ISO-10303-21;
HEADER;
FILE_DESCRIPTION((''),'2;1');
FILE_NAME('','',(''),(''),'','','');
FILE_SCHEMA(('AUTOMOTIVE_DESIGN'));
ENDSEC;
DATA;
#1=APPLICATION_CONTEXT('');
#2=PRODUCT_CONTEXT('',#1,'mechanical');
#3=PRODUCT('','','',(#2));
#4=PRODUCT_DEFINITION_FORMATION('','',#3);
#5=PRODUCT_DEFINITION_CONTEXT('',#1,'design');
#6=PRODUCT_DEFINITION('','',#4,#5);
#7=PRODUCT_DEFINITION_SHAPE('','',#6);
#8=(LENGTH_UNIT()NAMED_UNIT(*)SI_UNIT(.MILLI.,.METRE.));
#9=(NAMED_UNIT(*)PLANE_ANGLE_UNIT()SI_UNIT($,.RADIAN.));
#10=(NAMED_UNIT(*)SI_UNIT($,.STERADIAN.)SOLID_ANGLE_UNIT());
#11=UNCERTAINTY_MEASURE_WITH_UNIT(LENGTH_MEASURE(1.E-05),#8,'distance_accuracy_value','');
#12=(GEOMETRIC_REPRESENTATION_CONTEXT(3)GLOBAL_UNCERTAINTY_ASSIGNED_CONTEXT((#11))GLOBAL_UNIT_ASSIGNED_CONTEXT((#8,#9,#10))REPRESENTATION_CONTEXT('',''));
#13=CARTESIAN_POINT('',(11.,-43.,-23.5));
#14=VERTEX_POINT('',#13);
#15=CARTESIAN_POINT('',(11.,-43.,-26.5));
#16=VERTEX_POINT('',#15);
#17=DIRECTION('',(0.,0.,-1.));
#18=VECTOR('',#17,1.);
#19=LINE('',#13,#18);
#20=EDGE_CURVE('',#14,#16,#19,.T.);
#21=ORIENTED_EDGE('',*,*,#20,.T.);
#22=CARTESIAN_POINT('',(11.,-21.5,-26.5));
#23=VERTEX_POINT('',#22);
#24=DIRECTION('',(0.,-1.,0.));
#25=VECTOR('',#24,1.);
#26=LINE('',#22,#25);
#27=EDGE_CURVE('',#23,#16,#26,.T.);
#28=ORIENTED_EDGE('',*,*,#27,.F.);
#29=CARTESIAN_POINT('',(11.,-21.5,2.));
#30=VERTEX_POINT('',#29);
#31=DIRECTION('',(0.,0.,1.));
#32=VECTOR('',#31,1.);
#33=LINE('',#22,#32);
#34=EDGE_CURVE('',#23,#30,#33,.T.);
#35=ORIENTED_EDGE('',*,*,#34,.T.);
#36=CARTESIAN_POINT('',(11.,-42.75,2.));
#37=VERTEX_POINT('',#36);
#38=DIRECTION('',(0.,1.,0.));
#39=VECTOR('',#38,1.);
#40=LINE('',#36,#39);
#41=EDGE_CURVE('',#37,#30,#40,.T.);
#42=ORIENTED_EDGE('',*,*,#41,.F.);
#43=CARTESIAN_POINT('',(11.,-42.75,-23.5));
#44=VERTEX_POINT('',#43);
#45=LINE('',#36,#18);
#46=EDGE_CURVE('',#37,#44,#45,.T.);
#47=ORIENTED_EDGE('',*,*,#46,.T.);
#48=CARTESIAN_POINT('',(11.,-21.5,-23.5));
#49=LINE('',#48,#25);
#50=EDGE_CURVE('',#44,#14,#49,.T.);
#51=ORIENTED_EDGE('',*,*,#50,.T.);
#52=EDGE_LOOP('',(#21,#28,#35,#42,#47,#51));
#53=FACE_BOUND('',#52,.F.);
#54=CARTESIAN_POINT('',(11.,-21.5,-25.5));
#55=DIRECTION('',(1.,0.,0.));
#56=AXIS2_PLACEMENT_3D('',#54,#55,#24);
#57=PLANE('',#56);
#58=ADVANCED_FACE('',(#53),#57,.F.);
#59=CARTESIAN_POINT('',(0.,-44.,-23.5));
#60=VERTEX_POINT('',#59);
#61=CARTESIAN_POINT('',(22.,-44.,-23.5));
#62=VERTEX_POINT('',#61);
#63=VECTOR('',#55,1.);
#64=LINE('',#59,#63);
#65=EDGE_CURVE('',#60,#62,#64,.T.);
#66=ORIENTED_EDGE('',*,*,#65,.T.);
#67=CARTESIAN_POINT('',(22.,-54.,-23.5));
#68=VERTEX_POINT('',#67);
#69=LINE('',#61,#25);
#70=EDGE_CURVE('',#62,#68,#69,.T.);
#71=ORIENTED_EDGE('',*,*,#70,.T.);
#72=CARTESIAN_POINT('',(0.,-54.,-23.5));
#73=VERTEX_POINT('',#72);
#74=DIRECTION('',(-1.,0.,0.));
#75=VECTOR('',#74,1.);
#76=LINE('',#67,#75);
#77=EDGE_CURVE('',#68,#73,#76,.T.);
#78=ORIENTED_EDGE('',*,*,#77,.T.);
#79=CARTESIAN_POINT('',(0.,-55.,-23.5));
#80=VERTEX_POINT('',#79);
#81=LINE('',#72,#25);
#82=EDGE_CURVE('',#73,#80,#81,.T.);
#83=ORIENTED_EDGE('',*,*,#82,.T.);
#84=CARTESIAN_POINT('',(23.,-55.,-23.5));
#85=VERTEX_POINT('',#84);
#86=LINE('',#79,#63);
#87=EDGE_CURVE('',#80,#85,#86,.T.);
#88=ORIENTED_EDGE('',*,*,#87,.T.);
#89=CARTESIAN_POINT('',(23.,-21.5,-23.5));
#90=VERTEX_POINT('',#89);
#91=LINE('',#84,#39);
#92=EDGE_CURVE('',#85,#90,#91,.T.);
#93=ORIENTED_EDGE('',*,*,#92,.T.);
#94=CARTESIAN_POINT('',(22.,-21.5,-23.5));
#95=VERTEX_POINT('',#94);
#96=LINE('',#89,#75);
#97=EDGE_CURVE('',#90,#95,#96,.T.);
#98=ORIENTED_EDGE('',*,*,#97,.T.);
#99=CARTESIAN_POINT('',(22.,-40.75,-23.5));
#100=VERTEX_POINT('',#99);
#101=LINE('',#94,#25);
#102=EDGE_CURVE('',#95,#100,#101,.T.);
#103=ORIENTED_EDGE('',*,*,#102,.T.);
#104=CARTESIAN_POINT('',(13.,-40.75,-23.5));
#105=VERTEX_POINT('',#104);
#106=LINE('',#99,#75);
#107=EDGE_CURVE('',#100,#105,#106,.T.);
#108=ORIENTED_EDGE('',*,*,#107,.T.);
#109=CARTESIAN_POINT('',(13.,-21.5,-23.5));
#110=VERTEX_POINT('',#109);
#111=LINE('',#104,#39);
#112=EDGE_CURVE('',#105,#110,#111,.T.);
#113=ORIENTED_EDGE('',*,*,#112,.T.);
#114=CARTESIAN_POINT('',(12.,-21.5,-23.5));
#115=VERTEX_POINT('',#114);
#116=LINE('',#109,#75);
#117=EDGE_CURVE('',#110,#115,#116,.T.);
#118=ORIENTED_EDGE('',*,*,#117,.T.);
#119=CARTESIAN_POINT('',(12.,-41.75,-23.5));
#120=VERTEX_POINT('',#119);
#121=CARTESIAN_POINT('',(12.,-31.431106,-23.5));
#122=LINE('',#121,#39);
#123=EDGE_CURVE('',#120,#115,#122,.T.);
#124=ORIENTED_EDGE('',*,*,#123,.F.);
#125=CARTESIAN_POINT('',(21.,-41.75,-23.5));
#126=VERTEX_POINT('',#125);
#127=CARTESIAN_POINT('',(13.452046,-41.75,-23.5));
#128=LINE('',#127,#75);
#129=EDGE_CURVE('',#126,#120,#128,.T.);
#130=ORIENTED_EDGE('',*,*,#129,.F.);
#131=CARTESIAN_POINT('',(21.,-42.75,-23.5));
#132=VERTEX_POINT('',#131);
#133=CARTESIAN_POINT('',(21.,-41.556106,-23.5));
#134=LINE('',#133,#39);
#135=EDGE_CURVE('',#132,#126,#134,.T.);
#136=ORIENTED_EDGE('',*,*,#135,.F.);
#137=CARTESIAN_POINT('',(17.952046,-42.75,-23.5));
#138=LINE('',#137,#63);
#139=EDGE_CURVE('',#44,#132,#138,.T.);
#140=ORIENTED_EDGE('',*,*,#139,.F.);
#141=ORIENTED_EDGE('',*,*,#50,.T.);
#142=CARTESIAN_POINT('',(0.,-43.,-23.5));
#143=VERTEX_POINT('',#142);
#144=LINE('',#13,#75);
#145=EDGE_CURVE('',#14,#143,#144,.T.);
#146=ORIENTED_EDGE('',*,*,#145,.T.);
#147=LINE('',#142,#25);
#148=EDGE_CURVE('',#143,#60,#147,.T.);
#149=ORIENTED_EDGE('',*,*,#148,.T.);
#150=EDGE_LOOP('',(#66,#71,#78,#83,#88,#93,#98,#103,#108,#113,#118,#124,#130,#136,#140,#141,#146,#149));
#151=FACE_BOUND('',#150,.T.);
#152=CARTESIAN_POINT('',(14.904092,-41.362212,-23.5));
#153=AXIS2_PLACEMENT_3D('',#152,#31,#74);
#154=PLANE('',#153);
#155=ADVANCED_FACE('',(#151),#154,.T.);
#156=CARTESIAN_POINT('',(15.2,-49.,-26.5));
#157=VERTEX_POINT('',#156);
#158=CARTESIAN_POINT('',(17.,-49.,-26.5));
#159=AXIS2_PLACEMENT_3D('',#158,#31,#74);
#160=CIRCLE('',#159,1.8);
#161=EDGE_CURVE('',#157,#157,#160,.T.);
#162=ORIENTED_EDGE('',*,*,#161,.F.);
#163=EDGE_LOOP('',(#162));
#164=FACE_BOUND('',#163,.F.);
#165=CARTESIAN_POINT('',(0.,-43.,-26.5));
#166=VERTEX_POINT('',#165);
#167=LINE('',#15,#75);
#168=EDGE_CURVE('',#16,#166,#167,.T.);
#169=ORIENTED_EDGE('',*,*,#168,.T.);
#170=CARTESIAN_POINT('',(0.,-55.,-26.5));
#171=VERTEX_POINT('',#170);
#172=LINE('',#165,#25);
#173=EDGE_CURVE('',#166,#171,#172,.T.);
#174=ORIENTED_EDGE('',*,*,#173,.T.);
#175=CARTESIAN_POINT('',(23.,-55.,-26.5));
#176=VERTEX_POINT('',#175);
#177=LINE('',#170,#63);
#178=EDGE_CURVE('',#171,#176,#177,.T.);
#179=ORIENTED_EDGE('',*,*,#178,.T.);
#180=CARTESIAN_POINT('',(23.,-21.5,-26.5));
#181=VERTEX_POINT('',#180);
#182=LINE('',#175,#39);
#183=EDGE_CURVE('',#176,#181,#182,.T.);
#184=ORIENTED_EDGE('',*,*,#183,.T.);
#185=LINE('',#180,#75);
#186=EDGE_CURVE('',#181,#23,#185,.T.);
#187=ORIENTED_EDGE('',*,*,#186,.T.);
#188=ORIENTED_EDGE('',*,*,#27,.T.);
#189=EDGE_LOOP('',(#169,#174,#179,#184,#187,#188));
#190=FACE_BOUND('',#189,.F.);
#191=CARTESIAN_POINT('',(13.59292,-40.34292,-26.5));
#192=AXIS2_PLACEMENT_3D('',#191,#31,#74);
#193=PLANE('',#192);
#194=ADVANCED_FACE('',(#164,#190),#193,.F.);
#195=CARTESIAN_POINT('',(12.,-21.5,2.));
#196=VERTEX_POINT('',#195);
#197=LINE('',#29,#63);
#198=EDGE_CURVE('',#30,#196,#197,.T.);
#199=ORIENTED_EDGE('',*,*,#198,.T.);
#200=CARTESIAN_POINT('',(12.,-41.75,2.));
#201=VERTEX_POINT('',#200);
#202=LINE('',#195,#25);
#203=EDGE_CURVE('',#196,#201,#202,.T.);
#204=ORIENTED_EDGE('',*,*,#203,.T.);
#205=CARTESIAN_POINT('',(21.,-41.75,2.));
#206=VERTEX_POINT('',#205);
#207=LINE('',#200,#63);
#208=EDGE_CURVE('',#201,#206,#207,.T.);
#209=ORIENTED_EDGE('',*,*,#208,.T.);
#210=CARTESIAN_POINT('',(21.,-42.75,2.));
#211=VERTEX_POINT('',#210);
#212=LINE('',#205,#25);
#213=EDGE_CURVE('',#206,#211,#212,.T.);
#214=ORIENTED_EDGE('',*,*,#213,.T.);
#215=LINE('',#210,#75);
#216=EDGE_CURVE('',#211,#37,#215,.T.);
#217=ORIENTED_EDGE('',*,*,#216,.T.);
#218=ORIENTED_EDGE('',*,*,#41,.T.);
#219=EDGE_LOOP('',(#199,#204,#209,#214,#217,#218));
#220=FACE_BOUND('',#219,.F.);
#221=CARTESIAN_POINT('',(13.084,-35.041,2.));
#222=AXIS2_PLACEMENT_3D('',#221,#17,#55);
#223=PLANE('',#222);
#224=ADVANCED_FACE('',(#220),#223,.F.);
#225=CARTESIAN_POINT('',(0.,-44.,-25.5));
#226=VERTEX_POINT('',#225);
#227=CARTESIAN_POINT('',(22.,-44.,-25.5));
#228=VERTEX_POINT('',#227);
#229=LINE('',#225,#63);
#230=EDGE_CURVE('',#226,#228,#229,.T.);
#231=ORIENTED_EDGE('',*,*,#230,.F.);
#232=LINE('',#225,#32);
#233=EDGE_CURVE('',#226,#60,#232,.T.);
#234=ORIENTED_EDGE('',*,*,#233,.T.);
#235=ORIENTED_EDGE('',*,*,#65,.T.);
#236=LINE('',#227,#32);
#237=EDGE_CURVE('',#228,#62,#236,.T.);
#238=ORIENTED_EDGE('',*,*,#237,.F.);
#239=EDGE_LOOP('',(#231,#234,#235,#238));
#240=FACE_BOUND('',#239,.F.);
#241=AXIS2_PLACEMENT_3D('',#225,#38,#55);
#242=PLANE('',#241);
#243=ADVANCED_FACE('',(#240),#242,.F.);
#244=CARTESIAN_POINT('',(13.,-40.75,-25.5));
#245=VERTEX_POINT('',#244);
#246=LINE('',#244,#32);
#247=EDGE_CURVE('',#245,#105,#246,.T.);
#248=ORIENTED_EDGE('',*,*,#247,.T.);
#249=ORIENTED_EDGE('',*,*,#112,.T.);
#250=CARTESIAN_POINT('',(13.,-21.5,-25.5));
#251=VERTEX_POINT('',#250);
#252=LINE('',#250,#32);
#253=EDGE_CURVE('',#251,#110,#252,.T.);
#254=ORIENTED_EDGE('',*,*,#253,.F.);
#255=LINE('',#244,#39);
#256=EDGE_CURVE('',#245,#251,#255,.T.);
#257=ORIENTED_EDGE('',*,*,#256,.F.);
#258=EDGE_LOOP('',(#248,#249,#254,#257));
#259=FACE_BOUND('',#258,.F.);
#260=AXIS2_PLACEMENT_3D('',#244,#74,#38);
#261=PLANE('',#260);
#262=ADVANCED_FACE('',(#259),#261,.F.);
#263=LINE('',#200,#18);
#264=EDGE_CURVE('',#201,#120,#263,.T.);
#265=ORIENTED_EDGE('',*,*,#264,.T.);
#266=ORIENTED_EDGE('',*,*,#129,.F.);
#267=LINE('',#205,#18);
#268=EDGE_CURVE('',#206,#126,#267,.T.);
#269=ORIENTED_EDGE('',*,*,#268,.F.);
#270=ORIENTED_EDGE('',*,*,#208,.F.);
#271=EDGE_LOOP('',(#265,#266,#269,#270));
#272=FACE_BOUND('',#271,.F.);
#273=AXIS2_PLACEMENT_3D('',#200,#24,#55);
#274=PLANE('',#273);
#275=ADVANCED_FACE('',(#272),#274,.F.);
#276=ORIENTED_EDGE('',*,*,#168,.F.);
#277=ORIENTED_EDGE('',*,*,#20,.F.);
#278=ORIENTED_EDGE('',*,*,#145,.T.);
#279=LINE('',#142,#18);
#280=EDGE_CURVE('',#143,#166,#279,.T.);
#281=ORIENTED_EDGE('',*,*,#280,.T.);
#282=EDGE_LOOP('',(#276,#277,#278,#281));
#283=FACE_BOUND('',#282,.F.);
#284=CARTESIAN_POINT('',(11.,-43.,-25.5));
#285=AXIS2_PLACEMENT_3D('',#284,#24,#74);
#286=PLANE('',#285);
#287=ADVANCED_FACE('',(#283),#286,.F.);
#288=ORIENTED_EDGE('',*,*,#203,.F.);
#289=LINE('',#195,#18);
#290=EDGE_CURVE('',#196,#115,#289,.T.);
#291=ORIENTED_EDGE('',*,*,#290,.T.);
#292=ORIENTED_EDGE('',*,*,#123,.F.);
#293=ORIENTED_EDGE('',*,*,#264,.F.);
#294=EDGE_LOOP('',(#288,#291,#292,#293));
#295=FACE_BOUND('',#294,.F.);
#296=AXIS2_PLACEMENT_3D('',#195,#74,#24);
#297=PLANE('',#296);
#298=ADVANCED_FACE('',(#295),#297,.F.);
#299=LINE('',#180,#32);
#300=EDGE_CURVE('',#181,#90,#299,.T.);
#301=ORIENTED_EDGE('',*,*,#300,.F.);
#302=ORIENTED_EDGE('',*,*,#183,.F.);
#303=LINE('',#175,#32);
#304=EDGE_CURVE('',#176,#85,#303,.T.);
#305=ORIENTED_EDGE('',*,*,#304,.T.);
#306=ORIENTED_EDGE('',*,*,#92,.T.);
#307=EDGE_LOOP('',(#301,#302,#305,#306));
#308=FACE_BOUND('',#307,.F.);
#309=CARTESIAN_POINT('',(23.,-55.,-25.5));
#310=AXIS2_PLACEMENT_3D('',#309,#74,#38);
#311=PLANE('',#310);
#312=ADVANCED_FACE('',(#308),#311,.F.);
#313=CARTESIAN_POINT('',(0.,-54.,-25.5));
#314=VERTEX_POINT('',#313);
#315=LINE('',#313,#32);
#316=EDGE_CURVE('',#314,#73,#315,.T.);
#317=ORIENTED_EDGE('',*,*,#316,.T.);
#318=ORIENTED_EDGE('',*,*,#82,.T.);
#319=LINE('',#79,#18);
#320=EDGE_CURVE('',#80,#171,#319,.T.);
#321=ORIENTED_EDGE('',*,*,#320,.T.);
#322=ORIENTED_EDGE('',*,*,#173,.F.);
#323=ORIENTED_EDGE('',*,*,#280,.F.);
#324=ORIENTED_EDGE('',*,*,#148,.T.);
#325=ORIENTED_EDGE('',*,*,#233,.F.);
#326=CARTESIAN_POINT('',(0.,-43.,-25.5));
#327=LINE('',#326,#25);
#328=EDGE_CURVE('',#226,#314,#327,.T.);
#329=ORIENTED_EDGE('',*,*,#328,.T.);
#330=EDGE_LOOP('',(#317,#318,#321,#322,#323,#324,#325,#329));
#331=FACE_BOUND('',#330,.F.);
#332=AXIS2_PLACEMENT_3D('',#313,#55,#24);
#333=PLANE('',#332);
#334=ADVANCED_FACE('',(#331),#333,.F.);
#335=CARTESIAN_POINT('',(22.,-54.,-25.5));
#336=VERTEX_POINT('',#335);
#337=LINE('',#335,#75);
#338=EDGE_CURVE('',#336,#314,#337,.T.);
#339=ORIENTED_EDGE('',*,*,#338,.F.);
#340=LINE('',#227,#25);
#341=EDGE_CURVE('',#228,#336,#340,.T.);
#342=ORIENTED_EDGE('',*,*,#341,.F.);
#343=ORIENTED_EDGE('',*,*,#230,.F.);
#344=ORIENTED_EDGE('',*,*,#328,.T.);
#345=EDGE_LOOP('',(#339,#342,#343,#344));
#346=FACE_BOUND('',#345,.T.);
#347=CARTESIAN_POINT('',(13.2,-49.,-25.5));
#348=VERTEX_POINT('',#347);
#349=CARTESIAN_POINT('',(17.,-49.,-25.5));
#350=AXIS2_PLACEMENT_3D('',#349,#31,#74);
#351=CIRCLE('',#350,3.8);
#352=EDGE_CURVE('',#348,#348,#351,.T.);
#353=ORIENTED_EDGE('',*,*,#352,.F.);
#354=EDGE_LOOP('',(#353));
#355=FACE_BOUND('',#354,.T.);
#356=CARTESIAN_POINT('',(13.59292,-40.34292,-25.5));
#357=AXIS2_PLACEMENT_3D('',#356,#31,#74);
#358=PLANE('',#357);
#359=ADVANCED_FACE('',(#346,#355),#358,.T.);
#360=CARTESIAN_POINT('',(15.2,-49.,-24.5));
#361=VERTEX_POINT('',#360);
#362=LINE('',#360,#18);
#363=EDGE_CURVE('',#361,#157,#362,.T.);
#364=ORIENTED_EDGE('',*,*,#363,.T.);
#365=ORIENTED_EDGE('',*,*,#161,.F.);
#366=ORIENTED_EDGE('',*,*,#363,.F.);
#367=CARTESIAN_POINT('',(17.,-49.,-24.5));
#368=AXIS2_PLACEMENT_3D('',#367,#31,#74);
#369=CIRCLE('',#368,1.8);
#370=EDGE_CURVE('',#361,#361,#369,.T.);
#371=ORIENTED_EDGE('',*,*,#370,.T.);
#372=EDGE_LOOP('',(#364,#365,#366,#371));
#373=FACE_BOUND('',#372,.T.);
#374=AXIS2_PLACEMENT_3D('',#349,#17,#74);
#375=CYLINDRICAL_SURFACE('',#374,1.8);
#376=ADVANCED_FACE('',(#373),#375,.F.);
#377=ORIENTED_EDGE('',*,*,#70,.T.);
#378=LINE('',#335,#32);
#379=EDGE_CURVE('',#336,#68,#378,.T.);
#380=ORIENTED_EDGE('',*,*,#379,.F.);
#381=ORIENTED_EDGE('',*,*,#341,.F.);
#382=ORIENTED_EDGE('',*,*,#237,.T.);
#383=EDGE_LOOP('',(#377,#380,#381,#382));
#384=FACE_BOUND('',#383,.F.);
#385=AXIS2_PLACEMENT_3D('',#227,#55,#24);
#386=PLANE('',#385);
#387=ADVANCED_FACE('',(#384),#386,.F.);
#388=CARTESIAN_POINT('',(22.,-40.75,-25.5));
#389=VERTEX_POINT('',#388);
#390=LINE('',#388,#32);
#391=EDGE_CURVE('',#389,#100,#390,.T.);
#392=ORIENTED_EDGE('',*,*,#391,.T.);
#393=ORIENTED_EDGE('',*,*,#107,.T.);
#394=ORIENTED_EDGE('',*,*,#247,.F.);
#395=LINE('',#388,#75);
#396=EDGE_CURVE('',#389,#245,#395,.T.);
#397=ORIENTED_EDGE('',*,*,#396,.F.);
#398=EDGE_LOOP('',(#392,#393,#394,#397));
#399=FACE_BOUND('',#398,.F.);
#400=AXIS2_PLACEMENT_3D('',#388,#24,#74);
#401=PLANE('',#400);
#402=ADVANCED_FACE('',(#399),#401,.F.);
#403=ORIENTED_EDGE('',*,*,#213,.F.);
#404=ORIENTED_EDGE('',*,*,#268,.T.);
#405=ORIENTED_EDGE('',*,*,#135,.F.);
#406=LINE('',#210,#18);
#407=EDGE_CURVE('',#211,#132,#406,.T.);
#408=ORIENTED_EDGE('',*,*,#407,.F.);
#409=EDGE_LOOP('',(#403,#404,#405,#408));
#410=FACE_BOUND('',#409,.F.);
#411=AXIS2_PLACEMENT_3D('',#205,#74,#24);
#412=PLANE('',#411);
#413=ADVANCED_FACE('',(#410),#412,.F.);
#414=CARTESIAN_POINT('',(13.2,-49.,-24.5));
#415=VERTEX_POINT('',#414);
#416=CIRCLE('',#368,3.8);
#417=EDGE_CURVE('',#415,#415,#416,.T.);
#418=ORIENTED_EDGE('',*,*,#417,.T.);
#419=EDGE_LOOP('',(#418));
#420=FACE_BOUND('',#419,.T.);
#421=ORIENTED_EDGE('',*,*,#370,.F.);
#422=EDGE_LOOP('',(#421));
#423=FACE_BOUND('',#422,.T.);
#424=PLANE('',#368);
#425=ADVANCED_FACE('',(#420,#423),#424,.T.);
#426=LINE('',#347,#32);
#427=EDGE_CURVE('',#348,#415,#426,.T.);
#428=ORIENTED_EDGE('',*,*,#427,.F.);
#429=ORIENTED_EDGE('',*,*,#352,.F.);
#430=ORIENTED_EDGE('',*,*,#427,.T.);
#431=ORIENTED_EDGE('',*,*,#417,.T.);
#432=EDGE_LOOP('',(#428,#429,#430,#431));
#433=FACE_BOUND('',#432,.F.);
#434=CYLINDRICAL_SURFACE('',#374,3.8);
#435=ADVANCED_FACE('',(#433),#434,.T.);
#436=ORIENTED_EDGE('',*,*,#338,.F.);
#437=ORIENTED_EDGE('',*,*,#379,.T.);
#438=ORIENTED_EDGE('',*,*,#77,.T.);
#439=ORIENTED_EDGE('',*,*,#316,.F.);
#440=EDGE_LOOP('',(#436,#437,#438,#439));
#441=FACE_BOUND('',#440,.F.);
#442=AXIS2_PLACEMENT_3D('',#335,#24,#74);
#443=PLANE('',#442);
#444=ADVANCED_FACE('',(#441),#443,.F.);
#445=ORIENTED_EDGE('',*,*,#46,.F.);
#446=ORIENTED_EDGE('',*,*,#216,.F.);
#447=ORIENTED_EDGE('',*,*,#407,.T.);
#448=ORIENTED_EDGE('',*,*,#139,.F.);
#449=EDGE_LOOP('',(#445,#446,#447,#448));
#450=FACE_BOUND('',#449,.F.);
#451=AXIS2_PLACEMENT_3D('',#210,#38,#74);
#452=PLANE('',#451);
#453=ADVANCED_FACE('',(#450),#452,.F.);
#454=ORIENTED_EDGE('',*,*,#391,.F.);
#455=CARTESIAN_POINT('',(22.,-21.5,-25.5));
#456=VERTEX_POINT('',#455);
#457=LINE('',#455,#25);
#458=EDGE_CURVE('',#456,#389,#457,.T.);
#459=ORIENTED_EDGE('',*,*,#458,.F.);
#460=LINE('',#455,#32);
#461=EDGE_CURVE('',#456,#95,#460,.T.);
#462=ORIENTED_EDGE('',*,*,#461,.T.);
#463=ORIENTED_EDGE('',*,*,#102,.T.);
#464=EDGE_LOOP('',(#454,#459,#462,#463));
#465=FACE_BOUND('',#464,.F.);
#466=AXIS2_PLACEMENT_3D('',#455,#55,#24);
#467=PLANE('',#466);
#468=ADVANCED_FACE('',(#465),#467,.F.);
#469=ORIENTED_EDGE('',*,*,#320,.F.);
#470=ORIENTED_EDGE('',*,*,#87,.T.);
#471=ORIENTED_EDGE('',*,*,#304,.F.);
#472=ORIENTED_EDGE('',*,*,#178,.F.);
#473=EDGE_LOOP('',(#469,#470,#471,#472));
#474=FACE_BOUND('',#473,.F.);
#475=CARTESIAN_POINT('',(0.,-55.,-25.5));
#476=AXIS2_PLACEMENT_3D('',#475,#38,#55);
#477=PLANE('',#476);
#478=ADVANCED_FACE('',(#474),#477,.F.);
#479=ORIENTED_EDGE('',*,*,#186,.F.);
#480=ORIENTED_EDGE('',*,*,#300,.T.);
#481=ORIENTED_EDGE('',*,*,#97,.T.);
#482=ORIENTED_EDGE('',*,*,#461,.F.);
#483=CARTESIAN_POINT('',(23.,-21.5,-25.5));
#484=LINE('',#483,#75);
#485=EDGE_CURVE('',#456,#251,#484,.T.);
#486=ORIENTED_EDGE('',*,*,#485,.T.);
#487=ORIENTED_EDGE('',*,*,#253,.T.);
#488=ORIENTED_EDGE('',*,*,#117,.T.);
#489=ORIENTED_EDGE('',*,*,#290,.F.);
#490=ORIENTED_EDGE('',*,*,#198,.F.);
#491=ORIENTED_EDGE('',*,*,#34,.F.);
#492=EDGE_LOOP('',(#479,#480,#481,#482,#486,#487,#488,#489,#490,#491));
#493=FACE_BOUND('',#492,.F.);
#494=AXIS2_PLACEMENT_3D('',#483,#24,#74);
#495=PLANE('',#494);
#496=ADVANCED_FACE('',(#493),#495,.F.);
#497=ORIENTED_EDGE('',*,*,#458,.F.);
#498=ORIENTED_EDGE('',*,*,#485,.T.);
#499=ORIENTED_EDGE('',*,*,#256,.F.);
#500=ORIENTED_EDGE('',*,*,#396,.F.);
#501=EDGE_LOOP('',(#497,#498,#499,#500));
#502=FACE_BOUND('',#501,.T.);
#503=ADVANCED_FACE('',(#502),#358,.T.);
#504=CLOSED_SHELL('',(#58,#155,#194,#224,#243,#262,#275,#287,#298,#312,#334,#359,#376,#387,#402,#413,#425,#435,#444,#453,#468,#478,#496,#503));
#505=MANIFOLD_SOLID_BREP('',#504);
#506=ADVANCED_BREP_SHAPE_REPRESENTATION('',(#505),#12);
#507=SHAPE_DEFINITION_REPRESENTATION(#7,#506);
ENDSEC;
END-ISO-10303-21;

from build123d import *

# Parameters (mm, degrees)
SKETCH006_R      = 1.8
EXTRUDE004_DEPTH = 1
EXTRUDE005_DEPTH = 2
SKETCH017_R      = 3.8
SKETCH017_R_2    = 1.8
EXTRUDE014_DEPTH = 1
EXTRUDE003_DEPTH = 27.5


with BuildPart() as extrude004:
    # Sketch006 → Extrude004 (new body)
    with BuildSketch(Plane.XY.offset(10)):
        Polygon((-11, 0), (0, 0), (0, 12), (-23, 12), (-23, -21.5), (-11, -21.5), align=None)
        with Locations((-17, 6)):
            Circle(SKETCH006_R, mode=Mode.SUBTRACT)
    extrude(amount=EXTRUDE004_DEPTH)


with BuildPart() as extrude004_1:
    # Extrude004 placement: moved
    add(extrude004.part.moved(Location((0, 0, -36.5))))


with BuildPart() as extrude005:
    # Sketch007 → Extrude005 (new body)
    with BuildSketch(Plane.XY.offset(10)):
        Polygon((0, 12), (-23, 12), (-23, -21.5), (-22, -21.5), (-22, -2.25), (-13, -2.25), (-13, -21.5), (-11, -21.5), (-11, 0), (0, 0), (0, 1), (-22, 1), (-22, 11), (0, 11), align=None)
    extrude(amount=EXTRUDE005_DEPTH)


with BuildPart() as extrude005_1:
    # Extrude005 placement: moved
    add(extrude005.part.moved(Location((0, 0, -35.5))))


with BuildPart() as extrude014:
    # Sketch017 → Extrude014 (new body)
    with BuildSketch(Plane.XY.offset(10)):
        with Locations((-17, 6)):
            Circle(SKETCH017_R)
        with Locations((-17, 6)):
            Circle(SKETCH017_R_2, mode=Mode.SUBTRACT)
    extrude(amount=EXTRUDE014_DEPTH)


with BuildPart() as extrude014_1:
    # Extrude014 placement: moved
    add(extrude014.part.moved(Location((0, 0, -35.5))))


with BuildPart() as body004:
    # Sketch003 → Extrude003 (new body)
    with BuildSketch(Plane.XY):
        Polygon((-21, -0.25), (-11, -0.25), (-11, -21.5), (-12, -21.5), (-12, -1.25), (-21, -1.25), align=None)
    extrude(amount=-EXTRUDE003_DEPTH)


with BuildPart() as body004_1:
    # Extrude003 placement: moved
    add(body004.part.moved(Location((0, 0, 2))))

    # Fusion013: union Extrude004, Extrude005, Extrude014
    add(extrude004_1.part)
    add(extrude005_1.part)
    add(extrude014_1.part)


with BuildPart() as body005:
    # Part__Mirroring005: instance of Body004
    add(body004_1.part.mirror(Plane(origin=(0, 0, 0), x_dir=(0, -1, 0), z_dir=(1, 0, 0))))


with BuildPart() as part_mirroring006:
    # Part__Mirroring006: instance of Body005
    add(body005.part.mirror(Plane(origin=(0, -21.5, 0), x_dir=(1, 0, 0), z_dir=(0, 1, 0))))


solid = part_mirroring006.part
